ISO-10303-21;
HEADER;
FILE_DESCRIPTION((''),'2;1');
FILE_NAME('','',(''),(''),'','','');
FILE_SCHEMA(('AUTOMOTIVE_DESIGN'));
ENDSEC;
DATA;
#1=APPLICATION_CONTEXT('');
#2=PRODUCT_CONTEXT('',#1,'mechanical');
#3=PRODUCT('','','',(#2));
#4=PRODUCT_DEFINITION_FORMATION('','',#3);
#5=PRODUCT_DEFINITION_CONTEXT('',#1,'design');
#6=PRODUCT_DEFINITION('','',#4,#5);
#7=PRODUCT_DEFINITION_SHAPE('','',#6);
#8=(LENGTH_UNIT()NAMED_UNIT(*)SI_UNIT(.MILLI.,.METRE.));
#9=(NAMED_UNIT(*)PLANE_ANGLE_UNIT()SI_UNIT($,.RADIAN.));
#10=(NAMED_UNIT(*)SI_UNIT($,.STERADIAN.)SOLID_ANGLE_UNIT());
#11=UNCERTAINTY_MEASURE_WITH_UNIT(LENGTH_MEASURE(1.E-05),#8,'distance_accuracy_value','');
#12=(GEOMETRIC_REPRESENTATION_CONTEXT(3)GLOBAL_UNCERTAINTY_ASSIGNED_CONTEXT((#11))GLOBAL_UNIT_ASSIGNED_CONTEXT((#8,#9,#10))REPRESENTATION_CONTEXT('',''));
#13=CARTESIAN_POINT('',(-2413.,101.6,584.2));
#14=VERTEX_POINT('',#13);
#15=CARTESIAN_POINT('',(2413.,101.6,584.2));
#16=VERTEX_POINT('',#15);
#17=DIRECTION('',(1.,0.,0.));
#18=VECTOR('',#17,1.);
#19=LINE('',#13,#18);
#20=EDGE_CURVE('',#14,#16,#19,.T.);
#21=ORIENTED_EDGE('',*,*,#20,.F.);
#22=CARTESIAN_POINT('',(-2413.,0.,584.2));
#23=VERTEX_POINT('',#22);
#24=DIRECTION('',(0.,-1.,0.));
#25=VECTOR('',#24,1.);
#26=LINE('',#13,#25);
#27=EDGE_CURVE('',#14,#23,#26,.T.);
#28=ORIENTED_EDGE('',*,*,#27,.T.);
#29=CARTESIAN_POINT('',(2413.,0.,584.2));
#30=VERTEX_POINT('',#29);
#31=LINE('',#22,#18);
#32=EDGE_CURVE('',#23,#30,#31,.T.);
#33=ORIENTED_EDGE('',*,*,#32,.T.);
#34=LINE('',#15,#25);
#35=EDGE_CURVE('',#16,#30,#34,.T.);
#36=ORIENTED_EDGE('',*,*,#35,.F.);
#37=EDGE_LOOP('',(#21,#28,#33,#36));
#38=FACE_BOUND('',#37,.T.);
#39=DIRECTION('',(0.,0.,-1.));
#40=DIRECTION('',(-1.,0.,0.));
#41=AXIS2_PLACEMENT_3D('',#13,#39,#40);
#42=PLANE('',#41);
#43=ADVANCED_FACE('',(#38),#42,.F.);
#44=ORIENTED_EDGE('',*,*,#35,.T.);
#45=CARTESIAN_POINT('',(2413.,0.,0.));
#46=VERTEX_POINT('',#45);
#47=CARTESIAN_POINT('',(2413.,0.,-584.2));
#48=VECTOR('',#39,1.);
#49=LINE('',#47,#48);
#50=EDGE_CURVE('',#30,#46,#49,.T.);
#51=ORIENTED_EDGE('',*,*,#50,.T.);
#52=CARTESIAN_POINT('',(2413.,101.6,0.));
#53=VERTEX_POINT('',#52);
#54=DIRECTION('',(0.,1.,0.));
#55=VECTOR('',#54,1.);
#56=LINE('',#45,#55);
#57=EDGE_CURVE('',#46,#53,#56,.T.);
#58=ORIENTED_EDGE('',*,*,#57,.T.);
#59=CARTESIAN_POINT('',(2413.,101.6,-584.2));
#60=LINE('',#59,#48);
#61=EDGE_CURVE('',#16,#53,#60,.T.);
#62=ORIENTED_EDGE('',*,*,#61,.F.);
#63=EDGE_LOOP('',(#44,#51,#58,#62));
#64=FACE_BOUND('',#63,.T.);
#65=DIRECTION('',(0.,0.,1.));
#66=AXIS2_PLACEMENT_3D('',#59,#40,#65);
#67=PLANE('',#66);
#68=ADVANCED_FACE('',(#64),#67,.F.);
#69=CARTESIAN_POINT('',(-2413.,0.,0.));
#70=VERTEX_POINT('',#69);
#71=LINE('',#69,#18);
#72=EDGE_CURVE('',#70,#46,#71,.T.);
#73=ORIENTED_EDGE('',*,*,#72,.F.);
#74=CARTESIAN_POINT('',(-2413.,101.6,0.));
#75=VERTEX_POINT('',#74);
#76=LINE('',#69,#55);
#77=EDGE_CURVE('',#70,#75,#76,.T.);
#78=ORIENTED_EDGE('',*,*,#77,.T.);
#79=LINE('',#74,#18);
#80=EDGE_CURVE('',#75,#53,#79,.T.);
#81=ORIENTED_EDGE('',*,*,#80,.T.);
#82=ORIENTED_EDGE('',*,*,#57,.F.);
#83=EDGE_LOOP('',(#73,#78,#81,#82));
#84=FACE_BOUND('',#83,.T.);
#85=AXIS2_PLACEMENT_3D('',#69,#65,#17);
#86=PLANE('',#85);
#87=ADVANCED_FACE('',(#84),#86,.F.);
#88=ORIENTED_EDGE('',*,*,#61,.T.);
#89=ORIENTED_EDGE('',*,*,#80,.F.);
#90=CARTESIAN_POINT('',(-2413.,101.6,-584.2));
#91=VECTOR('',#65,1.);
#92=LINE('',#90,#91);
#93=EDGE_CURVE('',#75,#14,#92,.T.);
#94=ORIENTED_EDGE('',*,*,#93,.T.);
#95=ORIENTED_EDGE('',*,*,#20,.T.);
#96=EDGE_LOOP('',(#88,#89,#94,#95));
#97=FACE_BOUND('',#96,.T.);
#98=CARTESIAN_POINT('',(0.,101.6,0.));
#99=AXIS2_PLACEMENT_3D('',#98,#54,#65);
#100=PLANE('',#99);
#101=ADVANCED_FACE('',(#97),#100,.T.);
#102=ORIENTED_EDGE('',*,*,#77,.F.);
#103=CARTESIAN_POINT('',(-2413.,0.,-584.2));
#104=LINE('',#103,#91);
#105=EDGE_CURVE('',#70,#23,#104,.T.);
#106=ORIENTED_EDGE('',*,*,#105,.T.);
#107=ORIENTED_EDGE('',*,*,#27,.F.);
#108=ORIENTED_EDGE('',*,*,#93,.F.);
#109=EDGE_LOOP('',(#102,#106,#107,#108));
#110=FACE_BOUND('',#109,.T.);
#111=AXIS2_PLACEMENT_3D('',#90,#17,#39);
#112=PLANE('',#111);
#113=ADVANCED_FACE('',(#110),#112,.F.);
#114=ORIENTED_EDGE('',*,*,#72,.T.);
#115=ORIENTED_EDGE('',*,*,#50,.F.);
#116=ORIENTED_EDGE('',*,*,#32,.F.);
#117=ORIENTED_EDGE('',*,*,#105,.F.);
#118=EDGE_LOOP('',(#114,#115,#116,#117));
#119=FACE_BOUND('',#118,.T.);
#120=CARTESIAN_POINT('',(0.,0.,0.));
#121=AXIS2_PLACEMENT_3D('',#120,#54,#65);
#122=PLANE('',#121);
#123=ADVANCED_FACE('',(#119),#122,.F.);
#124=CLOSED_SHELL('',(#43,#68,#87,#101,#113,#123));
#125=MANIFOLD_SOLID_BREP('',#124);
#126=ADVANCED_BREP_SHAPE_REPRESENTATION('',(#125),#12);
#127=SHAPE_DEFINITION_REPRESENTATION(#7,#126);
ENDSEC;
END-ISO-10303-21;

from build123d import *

# Parameters (mm, degrees)
SKETCH1_W           = 4826
SKETCH1_H           = 1168.4
BOSS_EXTRUDE1_DEPTH = 101.6
SKETCH2_W           = 4826
SKETCH2_H           = 584.2
CUT_EXTRUDE1_DEPTH  = 2485.789971004


with BuildPart() as part:
    # Sketch1 → Boss-Extrude1 (new body)
    with BuildSketch(Plane(origin=(0, 0, 0), x_dir=(1, 0, 0), z_dir=(0, 1, 0))):
        Rectangle(SKETCH1_W, SKETCH1_H)
    extrude(amount=BOSS_EXTRUDE1_DEPTH)

    # Sketch2 → Cut-Extrude1 (cut, through all)
    with BuildSketch(Plane(origin=(0, 101.6, 0), x_dir=(1, 0, 0), z_dir=(0, 1, 0))):
        with Locations((0, 292.1)):
            Rectangle(SKETCH2_W, SKETCH2_H)
    extrude(amount=-CUT_EXTRUDE1_DEPTH, mode=Mode.SUBTRACT)


solid = part.part
